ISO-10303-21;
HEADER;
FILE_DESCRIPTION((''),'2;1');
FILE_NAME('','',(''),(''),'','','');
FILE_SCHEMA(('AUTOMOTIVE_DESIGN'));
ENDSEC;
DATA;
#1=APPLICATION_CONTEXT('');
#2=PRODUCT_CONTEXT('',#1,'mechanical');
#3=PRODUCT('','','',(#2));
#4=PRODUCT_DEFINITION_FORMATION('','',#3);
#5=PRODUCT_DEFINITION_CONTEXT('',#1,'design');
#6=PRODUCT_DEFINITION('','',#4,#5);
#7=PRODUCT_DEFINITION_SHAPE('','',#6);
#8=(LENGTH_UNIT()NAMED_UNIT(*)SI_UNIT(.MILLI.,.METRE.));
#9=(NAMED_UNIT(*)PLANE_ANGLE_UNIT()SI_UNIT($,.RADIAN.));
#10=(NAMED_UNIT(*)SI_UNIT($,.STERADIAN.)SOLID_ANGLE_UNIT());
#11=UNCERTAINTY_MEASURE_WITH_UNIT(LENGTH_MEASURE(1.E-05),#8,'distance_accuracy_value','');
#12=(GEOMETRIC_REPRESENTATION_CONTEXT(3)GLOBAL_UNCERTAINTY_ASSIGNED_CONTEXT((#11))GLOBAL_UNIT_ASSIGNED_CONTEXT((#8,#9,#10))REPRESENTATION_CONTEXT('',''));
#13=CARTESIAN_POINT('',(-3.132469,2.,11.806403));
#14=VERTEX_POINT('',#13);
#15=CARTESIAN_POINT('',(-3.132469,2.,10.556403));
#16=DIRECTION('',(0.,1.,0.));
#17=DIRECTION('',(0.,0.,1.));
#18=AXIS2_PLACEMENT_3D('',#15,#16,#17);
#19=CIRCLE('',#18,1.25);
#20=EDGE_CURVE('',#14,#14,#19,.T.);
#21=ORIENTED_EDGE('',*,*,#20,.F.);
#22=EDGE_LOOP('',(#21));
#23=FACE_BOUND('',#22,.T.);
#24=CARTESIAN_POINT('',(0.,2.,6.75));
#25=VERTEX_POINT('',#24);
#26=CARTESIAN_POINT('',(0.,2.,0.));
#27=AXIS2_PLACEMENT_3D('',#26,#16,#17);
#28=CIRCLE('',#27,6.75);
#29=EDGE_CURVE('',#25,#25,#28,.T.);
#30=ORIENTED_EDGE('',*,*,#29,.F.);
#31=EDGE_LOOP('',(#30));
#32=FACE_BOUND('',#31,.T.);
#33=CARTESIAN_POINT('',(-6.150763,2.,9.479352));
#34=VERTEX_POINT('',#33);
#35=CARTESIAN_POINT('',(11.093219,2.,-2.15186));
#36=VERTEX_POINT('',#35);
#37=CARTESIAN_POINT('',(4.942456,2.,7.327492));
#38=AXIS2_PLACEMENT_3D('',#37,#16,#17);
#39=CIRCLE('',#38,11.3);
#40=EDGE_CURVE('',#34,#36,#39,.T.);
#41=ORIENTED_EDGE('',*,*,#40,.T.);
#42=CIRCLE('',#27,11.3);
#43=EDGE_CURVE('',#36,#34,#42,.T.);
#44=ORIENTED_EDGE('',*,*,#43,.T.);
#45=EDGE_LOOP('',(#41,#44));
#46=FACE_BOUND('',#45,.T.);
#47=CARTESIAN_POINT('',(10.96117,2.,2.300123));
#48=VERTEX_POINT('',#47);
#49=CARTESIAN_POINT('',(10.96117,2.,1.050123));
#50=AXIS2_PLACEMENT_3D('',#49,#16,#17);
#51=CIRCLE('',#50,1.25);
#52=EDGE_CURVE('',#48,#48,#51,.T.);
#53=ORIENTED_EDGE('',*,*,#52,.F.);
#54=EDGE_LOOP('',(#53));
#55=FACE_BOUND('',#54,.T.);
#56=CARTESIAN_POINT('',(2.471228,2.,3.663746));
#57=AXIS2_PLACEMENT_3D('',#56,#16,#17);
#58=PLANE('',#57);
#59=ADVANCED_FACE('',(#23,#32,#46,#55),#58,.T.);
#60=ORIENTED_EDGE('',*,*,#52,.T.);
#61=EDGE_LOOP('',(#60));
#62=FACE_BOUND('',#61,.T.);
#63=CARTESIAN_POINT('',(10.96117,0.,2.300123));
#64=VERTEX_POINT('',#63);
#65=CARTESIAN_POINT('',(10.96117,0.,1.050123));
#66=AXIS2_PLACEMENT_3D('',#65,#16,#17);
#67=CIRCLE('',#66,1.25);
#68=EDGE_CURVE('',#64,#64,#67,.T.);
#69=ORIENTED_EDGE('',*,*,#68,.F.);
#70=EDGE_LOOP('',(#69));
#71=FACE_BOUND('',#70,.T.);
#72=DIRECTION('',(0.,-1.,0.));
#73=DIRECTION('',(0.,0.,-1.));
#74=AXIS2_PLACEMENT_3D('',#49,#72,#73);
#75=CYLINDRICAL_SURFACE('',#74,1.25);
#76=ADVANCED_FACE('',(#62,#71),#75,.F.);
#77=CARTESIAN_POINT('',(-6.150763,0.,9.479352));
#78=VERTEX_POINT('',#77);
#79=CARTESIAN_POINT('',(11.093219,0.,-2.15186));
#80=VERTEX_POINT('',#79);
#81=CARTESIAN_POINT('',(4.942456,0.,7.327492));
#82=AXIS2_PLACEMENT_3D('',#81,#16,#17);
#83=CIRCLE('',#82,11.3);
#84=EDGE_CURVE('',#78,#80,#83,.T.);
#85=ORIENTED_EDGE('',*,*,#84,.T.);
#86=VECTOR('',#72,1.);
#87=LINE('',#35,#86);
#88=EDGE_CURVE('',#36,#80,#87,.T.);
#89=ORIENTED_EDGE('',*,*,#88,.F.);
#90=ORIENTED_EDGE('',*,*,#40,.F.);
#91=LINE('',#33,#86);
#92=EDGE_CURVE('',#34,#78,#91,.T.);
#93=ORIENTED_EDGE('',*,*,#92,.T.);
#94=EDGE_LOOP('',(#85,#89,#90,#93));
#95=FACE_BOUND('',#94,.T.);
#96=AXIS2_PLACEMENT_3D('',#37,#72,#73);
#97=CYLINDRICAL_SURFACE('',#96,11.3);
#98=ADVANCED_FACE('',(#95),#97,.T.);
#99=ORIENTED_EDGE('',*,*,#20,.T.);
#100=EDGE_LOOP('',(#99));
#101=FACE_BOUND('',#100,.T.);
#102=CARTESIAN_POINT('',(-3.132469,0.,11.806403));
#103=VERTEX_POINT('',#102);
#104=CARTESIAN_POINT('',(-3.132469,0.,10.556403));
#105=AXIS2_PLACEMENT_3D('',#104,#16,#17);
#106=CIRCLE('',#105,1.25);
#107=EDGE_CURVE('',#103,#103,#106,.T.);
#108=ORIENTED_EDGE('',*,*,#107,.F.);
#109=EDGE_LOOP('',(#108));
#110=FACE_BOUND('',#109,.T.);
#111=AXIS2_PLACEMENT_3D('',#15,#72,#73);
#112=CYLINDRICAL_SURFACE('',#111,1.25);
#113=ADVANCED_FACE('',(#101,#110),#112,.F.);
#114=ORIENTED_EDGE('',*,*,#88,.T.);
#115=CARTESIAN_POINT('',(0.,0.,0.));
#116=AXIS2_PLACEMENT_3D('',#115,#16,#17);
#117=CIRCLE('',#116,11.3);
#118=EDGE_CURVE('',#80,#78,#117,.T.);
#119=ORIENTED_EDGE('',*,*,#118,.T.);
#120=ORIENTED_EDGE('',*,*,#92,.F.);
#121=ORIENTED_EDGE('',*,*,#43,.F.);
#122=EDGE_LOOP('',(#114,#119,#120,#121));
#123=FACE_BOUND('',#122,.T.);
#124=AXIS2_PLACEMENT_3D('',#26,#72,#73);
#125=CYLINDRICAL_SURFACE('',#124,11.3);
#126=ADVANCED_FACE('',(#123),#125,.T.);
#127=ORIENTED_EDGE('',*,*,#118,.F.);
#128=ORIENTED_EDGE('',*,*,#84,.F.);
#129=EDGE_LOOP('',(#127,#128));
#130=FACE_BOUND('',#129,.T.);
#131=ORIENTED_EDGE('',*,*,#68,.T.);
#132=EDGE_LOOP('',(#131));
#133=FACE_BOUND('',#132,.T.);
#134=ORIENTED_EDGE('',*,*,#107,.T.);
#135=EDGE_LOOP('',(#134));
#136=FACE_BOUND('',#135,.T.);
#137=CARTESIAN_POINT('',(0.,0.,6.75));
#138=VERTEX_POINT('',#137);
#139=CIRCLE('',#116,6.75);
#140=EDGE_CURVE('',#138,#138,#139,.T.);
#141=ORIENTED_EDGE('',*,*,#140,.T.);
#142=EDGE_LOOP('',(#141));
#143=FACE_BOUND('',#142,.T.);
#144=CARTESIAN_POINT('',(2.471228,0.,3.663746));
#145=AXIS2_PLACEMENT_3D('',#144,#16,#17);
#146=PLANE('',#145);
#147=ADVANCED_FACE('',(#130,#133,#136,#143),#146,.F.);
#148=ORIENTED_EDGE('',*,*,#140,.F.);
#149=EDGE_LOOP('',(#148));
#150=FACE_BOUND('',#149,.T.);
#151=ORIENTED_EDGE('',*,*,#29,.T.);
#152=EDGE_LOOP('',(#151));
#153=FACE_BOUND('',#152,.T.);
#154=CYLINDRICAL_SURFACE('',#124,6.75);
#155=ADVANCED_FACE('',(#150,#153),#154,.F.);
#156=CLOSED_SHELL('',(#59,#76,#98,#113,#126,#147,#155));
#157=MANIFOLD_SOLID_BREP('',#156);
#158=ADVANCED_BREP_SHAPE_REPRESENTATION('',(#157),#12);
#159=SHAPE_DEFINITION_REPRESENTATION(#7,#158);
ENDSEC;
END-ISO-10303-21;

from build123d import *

# Parameters (mm, degrees)
SKETCH_1_R      = 6.75
SKETCH_1_R_2    = 1.25
EXTRUDE_1_DEPTH = 2


with BuildPart() as part:
    # 草图1 → 凸台-拉伸1 (new body)
    with BuildSketch(Plane(origin=(0, 0, 0), x_dir=(1, 0, 0), z_dir=(0, 1, 0))):
        with BuildLine():
            ThreePointArc((11.093218509, 2.151860383), (-6.318879809, 9.36812457), (-6.150763, -9.479352009))
            ThreePointArc((-6.150763, -9.479352009), (11.261335318, -16.695616197), (11.093218509, 2.151860383))
        make_face()
        Circle(SKETCH_1_R, mode=Mode.SUBTRACT)
        with Locations((-3.132469042, -10.556402687)):
            Circle(SKETCH_1_R_2, mode=Mode.SUBTRACT)
        with Locations((10.961169691, -1.050123328)):
            Circle(SKETCH_1_R_2, mode=Mode.SUBTRACT)
    extrude(amount=EXTRUDE_1_DEPTH)


solid = part.part
